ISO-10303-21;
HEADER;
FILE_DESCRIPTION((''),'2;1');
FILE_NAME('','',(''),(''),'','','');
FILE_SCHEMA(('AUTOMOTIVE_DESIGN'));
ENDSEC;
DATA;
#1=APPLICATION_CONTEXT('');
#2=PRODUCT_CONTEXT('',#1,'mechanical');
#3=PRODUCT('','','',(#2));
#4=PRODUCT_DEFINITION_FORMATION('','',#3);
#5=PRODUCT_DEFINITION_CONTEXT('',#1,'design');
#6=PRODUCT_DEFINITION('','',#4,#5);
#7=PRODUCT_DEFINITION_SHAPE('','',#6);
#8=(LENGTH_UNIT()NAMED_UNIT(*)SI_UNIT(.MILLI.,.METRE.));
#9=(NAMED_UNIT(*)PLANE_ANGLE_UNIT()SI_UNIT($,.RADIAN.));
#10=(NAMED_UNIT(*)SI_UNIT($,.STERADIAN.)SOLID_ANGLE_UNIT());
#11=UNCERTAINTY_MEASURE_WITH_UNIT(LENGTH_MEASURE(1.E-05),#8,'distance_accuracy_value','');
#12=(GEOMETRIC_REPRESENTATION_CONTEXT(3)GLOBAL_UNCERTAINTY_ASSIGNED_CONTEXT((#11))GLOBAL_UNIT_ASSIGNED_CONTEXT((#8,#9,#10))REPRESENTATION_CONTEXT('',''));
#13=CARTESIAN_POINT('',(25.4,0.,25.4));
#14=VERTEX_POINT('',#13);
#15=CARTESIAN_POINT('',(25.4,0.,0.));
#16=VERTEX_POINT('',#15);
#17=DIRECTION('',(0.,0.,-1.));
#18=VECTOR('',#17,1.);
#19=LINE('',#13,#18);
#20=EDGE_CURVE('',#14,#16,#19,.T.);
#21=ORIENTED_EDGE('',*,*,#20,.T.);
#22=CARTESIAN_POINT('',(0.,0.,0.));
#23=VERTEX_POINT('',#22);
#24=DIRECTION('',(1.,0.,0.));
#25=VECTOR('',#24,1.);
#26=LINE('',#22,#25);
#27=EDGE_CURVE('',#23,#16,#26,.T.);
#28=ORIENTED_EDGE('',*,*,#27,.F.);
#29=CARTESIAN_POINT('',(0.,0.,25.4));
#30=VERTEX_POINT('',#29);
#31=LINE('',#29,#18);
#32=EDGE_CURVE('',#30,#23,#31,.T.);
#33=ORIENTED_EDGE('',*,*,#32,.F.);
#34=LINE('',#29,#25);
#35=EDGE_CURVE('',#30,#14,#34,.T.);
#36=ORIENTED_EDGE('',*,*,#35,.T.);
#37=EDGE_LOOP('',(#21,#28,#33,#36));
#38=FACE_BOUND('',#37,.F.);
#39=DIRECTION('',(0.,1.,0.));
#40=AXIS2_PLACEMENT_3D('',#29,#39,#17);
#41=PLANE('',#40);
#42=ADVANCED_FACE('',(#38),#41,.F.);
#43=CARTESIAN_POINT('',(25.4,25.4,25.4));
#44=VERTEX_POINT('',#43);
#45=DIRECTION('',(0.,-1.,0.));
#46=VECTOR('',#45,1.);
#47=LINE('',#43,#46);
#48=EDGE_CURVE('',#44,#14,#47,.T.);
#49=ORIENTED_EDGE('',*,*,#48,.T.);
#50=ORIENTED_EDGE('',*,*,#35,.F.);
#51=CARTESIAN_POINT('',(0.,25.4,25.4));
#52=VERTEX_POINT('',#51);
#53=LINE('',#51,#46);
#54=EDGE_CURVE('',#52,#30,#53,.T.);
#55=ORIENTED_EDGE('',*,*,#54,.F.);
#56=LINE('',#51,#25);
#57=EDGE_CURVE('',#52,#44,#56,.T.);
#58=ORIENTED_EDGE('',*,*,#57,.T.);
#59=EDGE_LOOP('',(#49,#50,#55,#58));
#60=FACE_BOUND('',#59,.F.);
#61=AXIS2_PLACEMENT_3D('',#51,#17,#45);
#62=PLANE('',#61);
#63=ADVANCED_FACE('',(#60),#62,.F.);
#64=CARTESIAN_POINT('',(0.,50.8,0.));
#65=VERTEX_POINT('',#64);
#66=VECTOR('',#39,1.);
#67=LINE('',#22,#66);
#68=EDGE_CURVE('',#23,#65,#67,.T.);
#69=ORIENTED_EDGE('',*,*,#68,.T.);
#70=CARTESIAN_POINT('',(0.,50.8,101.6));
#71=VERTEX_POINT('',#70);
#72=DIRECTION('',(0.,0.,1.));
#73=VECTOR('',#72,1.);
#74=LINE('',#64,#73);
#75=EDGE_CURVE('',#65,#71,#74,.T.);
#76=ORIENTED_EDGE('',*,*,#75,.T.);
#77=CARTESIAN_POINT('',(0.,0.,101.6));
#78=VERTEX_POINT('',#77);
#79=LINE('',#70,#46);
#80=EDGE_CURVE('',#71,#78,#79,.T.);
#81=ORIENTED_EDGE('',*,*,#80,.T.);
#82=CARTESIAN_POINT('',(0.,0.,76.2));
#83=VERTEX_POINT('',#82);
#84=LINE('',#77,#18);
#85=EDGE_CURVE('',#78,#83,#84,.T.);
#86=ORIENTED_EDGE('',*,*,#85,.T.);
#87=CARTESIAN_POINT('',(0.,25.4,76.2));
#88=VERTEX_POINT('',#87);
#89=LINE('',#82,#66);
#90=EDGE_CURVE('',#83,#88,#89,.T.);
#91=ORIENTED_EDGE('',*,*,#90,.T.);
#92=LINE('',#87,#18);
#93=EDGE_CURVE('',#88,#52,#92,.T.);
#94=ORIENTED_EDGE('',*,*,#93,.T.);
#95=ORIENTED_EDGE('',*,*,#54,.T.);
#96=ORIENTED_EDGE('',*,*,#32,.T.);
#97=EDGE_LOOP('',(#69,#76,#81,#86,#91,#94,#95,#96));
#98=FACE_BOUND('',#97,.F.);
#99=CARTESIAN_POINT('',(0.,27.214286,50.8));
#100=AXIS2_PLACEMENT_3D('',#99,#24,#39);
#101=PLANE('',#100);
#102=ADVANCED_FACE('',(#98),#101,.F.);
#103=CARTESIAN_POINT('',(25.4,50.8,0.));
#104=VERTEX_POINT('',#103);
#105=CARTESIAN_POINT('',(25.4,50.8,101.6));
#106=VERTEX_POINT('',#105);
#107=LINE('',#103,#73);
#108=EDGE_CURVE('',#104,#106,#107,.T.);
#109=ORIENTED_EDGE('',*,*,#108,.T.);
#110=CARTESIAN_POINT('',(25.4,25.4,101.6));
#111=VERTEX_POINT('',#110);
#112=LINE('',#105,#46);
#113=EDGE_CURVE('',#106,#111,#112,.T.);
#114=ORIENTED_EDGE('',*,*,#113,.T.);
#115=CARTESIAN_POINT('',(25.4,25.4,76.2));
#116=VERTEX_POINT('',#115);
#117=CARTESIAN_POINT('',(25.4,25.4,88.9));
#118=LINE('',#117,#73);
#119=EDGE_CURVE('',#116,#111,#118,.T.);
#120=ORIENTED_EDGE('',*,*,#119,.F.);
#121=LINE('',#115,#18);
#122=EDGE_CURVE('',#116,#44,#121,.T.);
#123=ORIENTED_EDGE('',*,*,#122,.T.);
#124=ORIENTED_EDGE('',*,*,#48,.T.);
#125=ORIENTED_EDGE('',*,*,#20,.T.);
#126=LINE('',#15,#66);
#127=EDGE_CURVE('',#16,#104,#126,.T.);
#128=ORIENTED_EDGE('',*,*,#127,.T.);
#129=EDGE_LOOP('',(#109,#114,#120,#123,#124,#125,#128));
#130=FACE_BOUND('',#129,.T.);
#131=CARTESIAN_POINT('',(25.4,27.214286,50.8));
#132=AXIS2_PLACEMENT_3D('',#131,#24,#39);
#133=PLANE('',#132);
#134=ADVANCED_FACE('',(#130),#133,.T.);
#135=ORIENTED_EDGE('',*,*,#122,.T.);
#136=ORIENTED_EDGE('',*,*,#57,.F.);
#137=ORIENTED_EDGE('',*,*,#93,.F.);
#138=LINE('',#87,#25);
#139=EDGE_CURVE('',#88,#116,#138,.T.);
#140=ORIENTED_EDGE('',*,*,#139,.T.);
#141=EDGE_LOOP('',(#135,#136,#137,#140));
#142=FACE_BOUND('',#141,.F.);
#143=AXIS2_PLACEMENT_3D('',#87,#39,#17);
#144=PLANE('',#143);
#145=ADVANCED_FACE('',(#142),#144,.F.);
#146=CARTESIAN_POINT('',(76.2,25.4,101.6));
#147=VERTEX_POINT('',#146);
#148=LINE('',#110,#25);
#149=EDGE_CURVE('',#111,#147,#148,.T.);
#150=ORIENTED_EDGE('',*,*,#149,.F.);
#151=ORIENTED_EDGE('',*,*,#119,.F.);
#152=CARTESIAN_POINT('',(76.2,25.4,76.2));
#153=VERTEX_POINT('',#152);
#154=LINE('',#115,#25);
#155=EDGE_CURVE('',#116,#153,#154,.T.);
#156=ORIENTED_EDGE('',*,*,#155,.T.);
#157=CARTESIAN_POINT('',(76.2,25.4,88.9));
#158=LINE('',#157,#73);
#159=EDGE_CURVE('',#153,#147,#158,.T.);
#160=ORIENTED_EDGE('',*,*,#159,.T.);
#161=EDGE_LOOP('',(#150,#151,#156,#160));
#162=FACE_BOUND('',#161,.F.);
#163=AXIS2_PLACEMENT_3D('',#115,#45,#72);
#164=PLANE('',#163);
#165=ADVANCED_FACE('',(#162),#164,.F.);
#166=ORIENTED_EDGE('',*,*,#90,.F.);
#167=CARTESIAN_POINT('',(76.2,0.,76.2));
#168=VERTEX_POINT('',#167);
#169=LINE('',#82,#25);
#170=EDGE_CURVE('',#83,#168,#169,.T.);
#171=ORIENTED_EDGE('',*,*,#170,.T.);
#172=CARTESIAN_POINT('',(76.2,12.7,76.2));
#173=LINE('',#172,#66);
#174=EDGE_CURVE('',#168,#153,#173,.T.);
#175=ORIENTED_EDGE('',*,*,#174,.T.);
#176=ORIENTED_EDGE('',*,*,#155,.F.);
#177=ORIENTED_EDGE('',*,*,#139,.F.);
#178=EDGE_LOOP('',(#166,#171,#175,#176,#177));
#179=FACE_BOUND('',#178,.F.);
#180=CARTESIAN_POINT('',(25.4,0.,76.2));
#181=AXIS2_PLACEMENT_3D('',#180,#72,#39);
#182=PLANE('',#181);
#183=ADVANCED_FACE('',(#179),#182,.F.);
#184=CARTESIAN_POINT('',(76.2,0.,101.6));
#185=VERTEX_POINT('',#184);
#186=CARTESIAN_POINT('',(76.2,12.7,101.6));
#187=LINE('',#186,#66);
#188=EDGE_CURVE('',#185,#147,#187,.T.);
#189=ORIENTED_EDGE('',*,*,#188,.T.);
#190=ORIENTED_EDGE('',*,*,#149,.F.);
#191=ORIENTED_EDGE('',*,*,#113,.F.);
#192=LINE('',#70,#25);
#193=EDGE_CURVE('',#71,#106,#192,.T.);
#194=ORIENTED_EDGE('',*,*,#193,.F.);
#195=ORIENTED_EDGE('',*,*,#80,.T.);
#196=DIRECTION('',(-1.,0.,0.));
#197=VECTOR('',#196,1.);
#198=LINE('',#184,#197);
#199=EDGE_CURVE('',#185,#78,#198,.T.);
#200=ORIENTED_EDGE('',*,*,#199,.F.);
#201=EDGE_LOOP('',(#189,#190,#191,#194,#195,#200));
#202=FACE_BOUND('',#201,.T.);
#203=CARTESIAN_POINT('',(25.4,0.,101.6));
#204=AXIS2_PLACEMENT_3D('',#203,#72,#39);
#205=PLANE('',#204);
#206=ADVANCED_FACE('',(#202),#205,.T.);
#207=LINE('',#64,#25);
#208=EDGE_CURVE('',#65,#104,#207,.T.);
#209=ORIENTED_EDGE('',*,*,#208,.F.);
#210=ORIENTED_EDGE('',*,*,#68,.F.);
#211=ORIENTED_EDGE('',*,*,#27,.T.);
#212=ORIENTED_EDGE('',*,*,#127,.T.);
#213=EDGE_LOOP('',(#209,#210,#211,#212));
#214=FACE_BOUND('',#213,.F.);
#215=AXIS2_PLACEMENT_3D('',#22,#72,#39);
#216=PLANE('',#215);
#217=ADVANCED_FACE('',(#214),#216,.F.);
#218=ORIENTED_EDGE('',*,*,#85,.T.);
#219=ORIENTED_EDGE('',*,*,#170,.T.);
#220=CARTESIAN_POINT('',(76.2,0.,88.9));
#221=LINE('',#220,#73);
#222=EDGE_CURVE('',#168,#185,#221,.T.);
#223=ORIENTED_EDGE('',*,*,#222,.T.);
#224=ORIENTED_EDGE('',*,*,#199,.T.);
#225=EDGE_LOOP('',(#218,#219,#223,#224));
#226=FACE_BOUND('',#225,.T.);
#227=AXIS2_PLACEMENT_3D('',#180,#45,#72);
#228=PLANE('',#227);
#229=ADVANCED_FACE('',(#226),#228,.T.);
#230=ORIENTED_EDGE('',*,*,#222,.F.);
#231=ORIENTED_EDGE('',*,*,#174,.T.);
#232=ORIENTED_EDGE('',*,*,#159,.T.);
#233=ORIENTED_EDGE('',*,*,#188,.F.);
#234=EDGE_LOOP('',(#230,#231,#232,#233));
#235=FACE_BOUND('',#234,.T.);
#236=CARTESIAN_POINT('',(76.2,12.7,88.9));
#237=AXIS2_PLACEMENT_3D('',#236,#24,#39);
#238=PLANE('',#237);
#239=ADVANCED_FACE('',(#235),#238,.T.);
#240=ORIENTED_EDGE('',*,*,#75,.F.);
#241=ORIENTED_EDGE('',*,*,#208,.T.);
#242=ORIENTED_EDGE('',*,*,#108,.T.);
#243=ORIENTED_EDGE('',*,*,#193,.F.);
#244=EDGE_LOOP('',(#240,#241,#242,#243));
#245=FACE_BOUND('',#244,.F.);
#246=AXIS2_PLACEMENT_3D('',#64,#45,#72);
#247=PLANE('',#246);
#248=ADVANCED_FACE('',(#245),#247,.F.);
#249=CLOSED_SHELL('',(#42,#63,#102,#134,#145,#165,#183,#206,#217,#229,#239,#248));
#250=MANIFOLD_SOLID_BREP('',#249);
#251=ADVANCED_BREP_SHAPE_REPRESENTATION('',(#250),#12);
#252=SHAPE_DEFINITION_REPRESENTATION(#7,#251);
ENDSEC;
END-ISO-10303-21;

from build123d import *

# Parameters (mm, degrees)
F1_DEPTH = 25.4
F2_W     = 25.4
F2_H     = 25.4
F3_DEPTH = 50.8


with BuildPart() as f1:
    # F0 (on Right) → F1 (new body)
    with BuildSketch(Plane.YZ):
        Polygon((50.8, 101.6), (0, 101.6), (0, 76.2), (25.4, 76.2), (25.4, 25.4), (0, 25.4), (0, 0), (50.8, 0), align=None)
    extrude(amount=F1_DEPTH)

    # F2 (on face) → F3 (join)
    with BuildSketch(Plane.YZ.offset(25.4)):
        with Locations((12.7, 88.9)):
            Rectangle(F2_W, F2_H)
    extrude(amount=F3_DEPTH)


solid = f1.part
